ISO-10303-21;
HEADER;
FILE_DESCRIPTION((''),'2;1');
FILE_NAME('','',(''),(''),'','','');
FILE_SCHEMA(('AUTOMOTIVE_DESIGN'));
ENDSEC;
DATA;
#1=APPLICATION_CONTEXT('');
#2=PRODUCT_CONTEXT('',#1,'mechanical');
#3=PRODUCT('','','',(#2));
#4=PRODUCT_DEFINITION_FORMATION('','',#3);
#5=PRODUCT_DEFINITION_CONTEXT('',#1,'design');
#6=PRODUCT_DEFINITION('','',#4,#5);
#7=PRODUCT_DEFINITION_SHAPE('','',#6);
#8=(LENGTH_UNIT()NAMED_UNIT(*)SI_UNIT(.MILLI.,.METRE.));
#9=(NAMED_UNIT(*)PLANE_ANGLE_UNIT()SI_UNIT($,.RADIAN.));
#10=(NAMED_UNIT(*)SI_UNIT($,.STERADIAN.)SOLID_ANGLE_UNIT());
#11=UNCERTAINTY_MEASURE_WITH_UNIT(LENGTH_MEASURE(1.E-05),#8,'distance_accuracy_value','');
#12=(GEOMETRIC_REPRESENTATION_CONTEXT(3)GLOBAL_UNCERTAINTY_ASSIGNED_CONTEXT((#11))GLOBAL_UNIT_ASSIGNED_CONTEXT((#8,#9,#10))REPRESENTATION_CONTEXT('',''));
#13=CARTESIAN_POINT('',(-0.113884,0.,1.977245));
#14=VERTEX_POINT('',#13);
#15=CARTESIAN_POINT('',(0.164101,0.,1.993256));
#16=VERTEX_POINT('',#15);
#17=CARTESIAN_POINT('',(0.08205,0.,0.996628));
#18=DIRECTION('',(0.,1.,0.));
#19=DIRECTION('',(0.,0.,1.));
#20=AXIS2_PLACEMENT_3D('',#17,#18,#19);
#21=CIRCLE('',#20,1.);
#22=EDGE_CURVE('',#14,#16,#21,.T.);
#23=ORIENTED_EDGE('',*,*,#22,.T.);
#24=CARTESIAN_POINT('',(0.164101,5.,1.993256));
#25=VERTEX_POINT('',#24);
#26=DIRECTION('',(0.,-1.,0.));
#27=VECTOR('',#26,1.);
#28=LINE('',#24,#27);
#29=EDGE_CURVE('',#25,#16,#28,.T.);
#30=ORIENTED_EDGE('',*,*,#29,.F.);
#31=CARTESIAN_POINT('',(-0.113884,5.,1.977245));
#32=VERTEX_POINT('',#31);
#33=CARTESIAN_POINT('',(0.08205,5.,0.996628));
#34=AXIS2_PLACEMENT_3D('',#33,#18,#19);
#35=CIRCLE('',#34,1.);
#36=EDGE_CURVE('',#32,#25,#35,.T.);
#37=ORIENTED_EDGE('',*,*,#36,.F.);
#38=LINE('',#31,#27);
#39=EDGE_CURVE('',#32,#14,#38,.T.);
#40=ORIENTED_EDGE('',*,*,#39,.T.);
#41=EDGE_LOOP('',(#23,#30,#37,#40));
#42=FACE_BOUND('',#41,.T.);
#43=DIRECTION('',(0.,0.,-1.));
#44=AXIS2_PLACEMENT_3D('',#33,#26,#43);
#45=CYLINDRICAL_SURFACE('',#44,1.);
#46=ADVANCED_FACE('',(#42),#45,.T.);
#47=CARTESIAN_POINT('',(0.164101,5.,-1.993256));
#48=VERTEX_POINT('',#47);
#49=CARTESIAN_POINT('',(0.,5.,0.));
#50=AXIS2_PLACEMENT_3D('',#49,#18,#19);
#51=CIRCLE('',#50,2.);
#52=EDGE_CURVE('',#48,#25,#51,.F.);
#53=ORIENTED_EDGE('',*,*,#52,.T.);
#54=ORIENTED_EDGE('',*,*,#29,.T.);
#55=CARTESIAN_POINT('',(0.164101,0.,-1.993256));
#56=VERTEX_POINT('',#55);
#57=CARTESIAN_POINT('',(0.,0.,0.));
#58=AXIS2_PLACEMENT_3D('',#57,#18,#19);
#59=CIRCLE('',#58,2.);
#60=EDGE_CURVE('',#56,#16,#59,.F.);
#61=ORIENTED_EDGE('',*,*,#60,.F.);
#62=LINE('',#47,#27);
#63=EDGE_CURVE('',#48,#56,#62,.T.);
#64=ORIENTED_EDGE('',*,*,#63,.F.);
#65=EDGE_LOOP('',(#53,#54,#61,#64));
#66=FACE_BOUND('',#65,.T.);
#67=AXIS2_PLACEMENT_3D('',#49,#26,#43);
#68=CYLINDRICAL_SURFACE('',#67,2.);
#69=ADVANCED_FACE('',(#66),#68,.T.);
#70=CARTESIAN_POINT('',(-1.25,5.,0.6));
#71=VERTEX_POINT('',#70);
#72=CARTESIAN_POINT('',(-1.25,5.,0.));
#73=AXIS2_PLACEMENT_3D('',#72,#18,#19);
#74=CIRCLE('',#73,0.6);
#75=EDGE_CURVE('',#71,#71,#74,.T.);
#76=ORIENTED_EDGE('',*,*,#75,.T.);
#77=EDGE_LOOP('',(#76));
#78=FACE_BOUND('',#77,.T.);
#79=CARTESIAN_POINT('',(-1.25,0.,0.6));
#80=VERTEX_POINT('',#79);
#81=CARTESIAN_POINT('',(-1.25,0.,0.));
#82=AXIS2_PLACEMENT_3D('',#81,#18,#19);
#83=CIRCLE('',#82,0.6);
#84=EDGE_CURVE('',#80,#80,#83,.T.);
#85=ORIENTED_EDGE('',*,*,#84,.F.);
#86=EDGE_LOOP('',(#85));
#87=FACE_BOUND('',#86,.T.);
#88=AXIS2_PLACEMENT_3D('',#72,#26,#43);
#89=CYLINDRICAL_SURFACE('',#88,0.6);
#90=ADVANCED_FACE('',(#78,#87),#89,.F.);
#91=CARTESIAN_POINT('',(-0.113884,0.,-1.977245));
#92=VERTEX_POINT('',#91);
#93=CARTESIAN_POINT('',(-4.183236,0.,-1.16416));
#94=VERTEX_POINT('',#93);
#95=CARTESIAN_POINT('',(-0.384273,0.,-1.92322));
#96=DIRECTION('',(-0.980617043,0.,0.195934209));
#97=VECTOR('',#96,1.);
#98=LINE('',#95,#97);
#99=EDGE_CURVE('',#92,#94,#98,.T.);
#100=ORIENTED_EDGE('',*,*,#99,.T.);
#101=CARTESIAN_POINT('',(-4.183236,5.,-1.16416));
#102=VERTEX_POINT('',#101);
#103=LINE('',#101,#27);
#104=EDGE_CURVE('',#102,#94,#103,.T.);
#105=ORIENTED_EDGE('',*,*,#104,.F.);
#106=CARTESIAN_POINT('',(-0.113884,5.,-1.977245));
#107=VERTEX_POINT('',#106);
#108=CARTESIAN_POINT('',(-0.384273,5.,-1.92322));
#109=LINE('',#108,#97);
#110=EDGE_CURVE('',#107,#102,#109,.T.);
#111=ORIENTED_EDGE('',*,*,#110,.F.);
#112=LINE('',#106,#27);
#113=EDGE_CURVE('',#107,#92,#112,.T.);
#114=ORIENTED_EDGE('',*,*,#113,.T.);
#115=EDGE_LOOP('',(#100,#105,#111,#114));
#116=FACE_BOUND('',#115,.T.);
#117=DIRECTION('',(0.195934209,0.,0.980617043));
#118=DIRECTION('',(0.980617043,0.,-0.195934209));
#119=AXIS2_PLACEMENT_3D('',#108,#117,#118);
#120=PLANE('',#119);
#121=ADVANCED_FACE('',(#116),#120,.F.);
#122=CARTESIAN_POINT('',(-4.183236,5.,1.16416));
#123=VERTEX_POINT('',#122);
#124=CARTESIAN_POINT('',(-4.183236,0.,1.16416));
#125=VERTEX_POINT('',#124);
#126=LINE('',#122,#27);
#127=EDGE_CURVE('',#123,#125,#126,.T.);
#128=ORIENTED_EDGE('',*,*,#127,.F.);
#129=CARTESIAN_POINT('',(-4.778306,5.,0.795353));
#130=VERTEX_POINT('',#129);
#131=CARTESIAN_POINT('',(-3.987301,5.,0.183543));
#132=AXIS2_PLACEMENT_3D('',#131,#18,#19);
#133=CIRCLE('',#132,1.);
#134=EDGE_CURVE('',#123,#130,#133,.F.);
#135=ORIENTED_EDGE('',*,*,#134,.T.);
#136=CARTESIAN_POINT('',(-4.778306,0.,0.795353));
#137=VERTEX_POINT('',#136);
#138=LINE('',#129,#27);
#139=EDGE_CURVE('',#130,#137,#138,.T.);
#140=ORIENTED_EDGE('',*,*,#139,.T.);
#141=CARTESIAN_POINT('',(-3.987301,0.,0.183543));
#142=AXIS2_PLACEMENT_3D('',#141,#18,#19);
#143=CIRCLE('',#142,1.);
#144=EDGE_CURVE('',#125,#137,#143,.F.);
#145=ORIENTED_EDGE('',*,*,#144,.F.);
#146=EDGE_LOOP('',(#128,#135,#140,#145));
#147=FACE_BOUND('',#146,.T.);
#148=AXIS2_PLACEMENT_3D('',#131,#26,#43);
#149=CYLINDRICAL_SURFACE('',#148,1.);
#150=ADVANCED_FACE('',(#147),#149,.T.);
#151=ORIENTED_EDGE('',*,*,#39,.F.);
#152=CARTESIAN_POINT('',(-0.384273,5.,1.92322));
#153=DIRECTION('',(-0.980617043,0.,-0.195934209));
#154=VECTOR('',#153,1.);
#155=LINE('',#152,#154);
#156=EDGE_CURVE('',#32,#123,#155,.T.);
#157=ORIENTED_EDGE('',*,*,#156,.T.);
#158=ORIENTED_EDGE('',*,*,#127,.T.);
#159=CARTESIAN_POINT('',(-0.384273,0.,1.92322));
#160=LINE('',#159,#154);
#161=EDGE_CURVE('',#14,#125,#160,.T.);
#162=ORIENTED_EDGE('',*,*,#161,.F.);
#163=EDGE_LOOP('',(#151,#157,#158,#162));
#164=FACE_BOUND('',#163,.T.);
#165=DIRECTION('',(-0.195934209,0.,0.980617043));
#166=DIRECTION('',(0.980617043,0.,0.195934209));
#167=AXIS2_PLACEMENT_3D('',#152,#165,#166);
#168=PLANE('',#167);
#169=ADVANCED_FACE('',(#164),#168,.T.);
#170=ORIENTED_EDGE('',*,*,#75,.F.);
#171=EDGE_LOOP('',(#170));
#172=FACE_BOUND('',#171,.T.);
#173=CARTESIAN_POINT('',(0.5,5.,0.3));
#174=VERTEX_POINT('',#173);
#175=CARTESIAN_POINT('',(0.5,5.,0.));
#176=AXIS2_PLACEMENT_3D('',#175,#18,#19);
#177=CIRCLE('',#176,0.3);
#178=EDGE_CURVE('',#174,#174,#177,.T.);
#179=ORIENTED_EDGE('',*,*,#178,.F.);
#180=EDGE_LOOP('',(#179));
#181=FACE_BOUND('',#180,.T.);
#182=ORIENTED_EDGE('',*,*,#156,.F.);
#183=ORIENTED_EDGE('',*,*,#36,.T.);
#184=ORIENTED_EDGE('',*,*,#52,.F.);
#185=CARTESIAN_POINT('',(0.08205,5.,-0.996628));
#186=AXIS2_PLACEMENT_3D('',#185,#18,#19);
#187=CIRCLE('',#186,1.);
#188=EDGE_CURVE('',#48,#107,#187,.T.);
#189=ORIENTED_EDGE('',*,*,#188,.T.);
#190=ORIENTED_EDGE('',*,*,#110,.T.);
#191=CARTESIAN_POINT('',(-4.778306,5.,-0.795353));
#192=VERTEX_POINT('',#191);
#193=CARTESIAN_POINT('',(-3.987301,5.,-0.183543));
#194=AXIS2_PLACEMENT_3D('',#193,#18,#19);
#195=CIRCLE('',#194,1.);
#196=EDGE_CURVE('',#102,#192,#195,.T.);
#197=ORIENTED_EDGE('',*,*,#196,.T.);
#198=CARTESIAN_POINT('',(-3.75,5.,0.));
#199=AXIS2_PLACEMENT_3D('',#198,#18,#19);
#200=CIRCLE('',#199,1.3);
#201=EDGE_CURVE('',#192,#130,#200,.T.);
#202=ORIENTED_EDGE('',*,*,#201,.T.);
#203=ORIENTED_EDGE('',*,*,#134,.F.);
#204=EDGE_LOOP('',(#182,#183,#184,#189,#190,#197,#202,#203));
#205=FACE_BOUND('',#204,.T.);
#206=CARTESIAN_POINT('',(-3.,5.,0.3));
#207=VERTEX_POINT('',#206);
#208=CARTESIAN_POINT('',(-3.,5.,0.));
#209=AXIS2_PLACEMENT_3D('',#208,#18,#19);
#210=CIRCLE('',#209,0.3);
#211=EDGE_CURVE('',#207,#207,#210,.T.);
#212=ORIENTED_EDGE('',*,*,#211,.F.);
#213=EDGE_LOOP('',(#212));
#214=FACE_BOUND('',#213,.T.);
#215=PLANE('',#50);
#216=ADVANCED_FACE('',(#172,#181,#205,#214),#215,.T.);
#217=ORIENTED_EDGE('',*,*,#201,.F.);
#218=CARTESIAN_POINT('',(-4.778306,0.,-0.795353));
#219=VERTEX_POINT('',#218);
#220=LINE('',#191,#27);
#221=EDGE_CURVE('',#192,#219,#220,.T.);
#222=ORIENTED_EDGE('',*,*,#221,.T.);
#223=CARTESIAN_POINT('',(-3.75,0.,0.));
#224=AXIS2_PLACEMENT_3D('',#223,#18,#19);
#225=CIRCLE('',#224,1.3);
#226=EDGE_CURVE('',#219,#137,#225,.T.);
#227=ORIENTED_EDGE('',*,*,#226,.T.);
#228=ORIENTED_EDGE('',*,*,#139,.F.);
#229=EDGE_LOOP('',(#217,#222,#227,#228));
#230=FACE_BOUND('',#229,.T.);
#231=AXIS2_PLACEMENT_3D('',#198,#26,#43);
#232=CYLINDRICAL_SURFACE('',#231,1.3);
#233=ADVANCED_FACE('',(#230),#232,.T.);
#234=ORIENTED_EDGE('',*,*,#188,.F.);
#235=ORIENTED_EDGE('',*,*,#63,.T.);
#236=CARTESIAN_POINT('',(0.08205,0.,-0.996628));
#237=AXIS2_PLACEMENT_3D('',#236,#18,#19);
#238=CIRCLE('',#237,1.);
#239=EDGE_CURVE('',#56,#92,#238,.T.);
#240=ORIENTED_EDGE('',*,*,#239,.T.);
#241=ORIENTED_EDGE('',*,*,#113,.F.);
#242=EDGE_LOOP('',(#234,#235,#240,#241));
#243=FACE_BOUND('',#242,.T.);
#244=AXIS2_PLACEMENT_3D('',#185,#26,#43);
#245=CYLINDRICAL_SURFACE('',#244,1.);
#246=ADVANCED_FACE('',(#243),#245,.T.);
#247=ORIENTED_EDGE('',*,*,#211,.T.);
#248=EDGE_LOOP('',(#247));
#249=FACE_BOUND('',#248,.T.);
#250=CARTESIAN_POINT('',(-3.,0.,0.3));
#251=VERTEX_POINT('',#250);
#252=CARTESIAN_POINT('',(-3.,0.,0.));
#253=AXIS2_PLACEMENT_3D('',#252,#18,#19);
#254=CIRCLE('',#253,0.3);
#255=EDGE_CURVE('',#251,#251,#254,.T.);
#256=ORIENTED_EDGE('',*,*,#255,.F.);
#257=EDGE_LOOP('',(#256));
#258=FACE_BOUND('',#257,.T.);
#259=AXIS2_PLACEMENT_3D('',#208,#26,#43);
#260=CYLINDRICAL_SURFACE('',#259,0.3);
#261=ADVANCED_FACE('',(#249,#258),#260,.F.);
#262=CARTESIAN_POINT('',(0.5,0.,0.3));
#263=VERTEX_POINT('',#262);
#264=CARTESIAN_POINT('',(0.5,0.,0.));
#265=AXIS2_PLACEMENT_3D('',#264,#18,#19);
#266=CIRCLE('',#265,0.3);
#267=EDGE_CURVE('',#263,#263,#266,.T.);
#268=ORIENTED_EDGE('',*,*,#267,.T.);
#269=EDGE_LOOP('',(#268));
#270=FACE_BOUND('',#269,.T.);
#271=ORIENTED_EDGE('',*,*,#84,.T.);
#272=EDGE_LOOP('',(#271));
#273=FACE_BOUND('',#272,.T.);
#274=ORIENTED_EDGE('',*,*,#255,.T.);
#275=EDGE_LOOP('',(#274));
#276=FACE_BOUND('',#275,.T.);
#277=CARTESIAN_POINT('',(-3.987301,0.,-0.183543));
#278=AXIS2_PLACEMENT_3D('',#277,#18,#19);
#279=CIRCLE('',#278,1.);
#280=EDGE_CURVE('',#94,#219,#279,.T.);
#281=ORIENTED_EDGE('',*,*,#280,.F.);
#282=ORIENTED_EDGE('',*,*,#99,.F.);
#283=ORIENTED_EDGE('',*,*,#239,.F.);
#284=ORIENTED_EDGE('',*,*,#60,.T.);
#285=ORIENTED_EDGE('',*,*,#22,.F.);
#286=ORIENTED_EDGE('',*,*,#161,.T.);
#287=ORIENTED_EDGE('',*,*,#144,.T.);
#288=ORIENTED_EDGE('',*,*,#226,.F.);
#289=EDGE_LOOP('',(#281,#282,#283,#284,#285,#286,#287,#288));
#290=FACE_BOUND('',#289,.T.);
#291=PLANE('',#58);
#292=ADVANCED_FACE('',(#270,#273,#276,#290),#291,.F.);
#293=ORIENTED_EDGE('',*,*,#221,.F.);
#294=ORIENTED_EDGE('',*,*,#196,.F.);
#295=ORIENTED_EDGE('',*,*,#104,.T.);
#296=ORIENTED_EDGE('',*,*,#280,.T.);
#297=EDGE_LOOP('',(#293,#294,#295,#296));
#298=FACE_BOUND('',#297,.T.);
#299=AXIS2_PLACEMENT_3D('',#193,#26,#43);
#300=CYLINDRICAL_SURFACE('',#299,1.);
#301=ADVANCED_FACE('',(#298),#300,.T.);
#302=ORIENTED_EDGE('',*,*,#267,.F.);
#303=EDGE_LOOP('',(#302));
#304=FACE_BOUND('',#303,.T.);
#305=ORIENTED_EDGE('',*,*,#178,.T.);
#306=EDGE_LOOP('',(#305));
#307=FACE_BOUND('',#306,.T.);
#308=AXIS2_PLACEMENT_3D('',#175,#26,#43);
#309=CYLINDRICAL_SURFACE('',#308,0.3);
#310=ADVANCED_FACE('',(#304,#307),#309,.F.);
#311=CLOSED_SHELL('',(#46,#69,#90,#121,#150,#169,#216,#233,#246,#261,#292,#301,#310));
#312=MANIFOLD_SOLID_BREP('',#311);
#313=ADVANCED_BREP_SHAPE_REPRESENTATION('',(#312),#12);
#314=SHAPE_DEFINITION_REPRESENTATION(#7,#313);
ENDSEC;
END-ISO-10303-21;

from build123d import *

# Parameters (mm, degrees)
SKETCH1_R           = 0.3
SKETCH1_R_2         = 0.6
BOSS_EXTRUDE1_DEPTH = 5


with BuildPart() as part:
    # Sketch1 → Boss-Extrude1 (new body)
    with BuildSketch(Plane(origin=(0, 0, 0), x_dir=(1, 0, 0), z_dir=(0, 1, 0))):
        with BuildLine():
            ThreePointArc((0.1641009, 1.993256355), (0.024548565, 1.994973575), (-0.113883759, 1.977245221))
            Line((-0.113883759, 1.977245221), (-1.25, 1.750241174))
            Line((-1.25, 1.750241174), (-4.183235691, 1.164159973))
            ThreePointArc((-4.183235691, 1.164159973), (-4.514100231, 1.033532975), (-4.77830642, 0.795352694))
            ThreePointArc((-4.77830642, 0.795352694), (-5.05, 0), (-4.77830642, -0.795352694))
            ThreePointArc((-4.77830642, -0.795352694), (-4.514100231, -1.033532975), (-4.183235691, -1.164159973))
            Line((-4.183235691, -1.164159973), (-1.25, -1.750241174))
            Line((-1.25, -1.750241174), (-0.11388376, -1.977245221))
            ThreePointArc((-0.11388376, -1.977245221), (0.024548564, -1.994973575), (0.164100898, -1.993256355))
            ThreePointArc((0.164100898, -1.993256355), (2, -1e-09), (0.1641009, 1.993256355))
        make_face()
        with Locations(Location((-3, 0, 0), (0, 0, 270))):
            Circle(SKETCH1_R, mode=Mode.SUBTRACT)
        with Locations(Location((-1.25, 0, 0), (0, 0, 270))):
            Circle(SKETCH1_R_2, mode=Mode.SUBTRACT)
        with Locations(Location((0.5, 0, 0), (0, 0, 270))):
            Circle(SKETCH1_R, mode=Mode.SUBTRACT)
    extrude(amount=BOSS_EXTRUDE1_DEPTH)


solid = part.part
